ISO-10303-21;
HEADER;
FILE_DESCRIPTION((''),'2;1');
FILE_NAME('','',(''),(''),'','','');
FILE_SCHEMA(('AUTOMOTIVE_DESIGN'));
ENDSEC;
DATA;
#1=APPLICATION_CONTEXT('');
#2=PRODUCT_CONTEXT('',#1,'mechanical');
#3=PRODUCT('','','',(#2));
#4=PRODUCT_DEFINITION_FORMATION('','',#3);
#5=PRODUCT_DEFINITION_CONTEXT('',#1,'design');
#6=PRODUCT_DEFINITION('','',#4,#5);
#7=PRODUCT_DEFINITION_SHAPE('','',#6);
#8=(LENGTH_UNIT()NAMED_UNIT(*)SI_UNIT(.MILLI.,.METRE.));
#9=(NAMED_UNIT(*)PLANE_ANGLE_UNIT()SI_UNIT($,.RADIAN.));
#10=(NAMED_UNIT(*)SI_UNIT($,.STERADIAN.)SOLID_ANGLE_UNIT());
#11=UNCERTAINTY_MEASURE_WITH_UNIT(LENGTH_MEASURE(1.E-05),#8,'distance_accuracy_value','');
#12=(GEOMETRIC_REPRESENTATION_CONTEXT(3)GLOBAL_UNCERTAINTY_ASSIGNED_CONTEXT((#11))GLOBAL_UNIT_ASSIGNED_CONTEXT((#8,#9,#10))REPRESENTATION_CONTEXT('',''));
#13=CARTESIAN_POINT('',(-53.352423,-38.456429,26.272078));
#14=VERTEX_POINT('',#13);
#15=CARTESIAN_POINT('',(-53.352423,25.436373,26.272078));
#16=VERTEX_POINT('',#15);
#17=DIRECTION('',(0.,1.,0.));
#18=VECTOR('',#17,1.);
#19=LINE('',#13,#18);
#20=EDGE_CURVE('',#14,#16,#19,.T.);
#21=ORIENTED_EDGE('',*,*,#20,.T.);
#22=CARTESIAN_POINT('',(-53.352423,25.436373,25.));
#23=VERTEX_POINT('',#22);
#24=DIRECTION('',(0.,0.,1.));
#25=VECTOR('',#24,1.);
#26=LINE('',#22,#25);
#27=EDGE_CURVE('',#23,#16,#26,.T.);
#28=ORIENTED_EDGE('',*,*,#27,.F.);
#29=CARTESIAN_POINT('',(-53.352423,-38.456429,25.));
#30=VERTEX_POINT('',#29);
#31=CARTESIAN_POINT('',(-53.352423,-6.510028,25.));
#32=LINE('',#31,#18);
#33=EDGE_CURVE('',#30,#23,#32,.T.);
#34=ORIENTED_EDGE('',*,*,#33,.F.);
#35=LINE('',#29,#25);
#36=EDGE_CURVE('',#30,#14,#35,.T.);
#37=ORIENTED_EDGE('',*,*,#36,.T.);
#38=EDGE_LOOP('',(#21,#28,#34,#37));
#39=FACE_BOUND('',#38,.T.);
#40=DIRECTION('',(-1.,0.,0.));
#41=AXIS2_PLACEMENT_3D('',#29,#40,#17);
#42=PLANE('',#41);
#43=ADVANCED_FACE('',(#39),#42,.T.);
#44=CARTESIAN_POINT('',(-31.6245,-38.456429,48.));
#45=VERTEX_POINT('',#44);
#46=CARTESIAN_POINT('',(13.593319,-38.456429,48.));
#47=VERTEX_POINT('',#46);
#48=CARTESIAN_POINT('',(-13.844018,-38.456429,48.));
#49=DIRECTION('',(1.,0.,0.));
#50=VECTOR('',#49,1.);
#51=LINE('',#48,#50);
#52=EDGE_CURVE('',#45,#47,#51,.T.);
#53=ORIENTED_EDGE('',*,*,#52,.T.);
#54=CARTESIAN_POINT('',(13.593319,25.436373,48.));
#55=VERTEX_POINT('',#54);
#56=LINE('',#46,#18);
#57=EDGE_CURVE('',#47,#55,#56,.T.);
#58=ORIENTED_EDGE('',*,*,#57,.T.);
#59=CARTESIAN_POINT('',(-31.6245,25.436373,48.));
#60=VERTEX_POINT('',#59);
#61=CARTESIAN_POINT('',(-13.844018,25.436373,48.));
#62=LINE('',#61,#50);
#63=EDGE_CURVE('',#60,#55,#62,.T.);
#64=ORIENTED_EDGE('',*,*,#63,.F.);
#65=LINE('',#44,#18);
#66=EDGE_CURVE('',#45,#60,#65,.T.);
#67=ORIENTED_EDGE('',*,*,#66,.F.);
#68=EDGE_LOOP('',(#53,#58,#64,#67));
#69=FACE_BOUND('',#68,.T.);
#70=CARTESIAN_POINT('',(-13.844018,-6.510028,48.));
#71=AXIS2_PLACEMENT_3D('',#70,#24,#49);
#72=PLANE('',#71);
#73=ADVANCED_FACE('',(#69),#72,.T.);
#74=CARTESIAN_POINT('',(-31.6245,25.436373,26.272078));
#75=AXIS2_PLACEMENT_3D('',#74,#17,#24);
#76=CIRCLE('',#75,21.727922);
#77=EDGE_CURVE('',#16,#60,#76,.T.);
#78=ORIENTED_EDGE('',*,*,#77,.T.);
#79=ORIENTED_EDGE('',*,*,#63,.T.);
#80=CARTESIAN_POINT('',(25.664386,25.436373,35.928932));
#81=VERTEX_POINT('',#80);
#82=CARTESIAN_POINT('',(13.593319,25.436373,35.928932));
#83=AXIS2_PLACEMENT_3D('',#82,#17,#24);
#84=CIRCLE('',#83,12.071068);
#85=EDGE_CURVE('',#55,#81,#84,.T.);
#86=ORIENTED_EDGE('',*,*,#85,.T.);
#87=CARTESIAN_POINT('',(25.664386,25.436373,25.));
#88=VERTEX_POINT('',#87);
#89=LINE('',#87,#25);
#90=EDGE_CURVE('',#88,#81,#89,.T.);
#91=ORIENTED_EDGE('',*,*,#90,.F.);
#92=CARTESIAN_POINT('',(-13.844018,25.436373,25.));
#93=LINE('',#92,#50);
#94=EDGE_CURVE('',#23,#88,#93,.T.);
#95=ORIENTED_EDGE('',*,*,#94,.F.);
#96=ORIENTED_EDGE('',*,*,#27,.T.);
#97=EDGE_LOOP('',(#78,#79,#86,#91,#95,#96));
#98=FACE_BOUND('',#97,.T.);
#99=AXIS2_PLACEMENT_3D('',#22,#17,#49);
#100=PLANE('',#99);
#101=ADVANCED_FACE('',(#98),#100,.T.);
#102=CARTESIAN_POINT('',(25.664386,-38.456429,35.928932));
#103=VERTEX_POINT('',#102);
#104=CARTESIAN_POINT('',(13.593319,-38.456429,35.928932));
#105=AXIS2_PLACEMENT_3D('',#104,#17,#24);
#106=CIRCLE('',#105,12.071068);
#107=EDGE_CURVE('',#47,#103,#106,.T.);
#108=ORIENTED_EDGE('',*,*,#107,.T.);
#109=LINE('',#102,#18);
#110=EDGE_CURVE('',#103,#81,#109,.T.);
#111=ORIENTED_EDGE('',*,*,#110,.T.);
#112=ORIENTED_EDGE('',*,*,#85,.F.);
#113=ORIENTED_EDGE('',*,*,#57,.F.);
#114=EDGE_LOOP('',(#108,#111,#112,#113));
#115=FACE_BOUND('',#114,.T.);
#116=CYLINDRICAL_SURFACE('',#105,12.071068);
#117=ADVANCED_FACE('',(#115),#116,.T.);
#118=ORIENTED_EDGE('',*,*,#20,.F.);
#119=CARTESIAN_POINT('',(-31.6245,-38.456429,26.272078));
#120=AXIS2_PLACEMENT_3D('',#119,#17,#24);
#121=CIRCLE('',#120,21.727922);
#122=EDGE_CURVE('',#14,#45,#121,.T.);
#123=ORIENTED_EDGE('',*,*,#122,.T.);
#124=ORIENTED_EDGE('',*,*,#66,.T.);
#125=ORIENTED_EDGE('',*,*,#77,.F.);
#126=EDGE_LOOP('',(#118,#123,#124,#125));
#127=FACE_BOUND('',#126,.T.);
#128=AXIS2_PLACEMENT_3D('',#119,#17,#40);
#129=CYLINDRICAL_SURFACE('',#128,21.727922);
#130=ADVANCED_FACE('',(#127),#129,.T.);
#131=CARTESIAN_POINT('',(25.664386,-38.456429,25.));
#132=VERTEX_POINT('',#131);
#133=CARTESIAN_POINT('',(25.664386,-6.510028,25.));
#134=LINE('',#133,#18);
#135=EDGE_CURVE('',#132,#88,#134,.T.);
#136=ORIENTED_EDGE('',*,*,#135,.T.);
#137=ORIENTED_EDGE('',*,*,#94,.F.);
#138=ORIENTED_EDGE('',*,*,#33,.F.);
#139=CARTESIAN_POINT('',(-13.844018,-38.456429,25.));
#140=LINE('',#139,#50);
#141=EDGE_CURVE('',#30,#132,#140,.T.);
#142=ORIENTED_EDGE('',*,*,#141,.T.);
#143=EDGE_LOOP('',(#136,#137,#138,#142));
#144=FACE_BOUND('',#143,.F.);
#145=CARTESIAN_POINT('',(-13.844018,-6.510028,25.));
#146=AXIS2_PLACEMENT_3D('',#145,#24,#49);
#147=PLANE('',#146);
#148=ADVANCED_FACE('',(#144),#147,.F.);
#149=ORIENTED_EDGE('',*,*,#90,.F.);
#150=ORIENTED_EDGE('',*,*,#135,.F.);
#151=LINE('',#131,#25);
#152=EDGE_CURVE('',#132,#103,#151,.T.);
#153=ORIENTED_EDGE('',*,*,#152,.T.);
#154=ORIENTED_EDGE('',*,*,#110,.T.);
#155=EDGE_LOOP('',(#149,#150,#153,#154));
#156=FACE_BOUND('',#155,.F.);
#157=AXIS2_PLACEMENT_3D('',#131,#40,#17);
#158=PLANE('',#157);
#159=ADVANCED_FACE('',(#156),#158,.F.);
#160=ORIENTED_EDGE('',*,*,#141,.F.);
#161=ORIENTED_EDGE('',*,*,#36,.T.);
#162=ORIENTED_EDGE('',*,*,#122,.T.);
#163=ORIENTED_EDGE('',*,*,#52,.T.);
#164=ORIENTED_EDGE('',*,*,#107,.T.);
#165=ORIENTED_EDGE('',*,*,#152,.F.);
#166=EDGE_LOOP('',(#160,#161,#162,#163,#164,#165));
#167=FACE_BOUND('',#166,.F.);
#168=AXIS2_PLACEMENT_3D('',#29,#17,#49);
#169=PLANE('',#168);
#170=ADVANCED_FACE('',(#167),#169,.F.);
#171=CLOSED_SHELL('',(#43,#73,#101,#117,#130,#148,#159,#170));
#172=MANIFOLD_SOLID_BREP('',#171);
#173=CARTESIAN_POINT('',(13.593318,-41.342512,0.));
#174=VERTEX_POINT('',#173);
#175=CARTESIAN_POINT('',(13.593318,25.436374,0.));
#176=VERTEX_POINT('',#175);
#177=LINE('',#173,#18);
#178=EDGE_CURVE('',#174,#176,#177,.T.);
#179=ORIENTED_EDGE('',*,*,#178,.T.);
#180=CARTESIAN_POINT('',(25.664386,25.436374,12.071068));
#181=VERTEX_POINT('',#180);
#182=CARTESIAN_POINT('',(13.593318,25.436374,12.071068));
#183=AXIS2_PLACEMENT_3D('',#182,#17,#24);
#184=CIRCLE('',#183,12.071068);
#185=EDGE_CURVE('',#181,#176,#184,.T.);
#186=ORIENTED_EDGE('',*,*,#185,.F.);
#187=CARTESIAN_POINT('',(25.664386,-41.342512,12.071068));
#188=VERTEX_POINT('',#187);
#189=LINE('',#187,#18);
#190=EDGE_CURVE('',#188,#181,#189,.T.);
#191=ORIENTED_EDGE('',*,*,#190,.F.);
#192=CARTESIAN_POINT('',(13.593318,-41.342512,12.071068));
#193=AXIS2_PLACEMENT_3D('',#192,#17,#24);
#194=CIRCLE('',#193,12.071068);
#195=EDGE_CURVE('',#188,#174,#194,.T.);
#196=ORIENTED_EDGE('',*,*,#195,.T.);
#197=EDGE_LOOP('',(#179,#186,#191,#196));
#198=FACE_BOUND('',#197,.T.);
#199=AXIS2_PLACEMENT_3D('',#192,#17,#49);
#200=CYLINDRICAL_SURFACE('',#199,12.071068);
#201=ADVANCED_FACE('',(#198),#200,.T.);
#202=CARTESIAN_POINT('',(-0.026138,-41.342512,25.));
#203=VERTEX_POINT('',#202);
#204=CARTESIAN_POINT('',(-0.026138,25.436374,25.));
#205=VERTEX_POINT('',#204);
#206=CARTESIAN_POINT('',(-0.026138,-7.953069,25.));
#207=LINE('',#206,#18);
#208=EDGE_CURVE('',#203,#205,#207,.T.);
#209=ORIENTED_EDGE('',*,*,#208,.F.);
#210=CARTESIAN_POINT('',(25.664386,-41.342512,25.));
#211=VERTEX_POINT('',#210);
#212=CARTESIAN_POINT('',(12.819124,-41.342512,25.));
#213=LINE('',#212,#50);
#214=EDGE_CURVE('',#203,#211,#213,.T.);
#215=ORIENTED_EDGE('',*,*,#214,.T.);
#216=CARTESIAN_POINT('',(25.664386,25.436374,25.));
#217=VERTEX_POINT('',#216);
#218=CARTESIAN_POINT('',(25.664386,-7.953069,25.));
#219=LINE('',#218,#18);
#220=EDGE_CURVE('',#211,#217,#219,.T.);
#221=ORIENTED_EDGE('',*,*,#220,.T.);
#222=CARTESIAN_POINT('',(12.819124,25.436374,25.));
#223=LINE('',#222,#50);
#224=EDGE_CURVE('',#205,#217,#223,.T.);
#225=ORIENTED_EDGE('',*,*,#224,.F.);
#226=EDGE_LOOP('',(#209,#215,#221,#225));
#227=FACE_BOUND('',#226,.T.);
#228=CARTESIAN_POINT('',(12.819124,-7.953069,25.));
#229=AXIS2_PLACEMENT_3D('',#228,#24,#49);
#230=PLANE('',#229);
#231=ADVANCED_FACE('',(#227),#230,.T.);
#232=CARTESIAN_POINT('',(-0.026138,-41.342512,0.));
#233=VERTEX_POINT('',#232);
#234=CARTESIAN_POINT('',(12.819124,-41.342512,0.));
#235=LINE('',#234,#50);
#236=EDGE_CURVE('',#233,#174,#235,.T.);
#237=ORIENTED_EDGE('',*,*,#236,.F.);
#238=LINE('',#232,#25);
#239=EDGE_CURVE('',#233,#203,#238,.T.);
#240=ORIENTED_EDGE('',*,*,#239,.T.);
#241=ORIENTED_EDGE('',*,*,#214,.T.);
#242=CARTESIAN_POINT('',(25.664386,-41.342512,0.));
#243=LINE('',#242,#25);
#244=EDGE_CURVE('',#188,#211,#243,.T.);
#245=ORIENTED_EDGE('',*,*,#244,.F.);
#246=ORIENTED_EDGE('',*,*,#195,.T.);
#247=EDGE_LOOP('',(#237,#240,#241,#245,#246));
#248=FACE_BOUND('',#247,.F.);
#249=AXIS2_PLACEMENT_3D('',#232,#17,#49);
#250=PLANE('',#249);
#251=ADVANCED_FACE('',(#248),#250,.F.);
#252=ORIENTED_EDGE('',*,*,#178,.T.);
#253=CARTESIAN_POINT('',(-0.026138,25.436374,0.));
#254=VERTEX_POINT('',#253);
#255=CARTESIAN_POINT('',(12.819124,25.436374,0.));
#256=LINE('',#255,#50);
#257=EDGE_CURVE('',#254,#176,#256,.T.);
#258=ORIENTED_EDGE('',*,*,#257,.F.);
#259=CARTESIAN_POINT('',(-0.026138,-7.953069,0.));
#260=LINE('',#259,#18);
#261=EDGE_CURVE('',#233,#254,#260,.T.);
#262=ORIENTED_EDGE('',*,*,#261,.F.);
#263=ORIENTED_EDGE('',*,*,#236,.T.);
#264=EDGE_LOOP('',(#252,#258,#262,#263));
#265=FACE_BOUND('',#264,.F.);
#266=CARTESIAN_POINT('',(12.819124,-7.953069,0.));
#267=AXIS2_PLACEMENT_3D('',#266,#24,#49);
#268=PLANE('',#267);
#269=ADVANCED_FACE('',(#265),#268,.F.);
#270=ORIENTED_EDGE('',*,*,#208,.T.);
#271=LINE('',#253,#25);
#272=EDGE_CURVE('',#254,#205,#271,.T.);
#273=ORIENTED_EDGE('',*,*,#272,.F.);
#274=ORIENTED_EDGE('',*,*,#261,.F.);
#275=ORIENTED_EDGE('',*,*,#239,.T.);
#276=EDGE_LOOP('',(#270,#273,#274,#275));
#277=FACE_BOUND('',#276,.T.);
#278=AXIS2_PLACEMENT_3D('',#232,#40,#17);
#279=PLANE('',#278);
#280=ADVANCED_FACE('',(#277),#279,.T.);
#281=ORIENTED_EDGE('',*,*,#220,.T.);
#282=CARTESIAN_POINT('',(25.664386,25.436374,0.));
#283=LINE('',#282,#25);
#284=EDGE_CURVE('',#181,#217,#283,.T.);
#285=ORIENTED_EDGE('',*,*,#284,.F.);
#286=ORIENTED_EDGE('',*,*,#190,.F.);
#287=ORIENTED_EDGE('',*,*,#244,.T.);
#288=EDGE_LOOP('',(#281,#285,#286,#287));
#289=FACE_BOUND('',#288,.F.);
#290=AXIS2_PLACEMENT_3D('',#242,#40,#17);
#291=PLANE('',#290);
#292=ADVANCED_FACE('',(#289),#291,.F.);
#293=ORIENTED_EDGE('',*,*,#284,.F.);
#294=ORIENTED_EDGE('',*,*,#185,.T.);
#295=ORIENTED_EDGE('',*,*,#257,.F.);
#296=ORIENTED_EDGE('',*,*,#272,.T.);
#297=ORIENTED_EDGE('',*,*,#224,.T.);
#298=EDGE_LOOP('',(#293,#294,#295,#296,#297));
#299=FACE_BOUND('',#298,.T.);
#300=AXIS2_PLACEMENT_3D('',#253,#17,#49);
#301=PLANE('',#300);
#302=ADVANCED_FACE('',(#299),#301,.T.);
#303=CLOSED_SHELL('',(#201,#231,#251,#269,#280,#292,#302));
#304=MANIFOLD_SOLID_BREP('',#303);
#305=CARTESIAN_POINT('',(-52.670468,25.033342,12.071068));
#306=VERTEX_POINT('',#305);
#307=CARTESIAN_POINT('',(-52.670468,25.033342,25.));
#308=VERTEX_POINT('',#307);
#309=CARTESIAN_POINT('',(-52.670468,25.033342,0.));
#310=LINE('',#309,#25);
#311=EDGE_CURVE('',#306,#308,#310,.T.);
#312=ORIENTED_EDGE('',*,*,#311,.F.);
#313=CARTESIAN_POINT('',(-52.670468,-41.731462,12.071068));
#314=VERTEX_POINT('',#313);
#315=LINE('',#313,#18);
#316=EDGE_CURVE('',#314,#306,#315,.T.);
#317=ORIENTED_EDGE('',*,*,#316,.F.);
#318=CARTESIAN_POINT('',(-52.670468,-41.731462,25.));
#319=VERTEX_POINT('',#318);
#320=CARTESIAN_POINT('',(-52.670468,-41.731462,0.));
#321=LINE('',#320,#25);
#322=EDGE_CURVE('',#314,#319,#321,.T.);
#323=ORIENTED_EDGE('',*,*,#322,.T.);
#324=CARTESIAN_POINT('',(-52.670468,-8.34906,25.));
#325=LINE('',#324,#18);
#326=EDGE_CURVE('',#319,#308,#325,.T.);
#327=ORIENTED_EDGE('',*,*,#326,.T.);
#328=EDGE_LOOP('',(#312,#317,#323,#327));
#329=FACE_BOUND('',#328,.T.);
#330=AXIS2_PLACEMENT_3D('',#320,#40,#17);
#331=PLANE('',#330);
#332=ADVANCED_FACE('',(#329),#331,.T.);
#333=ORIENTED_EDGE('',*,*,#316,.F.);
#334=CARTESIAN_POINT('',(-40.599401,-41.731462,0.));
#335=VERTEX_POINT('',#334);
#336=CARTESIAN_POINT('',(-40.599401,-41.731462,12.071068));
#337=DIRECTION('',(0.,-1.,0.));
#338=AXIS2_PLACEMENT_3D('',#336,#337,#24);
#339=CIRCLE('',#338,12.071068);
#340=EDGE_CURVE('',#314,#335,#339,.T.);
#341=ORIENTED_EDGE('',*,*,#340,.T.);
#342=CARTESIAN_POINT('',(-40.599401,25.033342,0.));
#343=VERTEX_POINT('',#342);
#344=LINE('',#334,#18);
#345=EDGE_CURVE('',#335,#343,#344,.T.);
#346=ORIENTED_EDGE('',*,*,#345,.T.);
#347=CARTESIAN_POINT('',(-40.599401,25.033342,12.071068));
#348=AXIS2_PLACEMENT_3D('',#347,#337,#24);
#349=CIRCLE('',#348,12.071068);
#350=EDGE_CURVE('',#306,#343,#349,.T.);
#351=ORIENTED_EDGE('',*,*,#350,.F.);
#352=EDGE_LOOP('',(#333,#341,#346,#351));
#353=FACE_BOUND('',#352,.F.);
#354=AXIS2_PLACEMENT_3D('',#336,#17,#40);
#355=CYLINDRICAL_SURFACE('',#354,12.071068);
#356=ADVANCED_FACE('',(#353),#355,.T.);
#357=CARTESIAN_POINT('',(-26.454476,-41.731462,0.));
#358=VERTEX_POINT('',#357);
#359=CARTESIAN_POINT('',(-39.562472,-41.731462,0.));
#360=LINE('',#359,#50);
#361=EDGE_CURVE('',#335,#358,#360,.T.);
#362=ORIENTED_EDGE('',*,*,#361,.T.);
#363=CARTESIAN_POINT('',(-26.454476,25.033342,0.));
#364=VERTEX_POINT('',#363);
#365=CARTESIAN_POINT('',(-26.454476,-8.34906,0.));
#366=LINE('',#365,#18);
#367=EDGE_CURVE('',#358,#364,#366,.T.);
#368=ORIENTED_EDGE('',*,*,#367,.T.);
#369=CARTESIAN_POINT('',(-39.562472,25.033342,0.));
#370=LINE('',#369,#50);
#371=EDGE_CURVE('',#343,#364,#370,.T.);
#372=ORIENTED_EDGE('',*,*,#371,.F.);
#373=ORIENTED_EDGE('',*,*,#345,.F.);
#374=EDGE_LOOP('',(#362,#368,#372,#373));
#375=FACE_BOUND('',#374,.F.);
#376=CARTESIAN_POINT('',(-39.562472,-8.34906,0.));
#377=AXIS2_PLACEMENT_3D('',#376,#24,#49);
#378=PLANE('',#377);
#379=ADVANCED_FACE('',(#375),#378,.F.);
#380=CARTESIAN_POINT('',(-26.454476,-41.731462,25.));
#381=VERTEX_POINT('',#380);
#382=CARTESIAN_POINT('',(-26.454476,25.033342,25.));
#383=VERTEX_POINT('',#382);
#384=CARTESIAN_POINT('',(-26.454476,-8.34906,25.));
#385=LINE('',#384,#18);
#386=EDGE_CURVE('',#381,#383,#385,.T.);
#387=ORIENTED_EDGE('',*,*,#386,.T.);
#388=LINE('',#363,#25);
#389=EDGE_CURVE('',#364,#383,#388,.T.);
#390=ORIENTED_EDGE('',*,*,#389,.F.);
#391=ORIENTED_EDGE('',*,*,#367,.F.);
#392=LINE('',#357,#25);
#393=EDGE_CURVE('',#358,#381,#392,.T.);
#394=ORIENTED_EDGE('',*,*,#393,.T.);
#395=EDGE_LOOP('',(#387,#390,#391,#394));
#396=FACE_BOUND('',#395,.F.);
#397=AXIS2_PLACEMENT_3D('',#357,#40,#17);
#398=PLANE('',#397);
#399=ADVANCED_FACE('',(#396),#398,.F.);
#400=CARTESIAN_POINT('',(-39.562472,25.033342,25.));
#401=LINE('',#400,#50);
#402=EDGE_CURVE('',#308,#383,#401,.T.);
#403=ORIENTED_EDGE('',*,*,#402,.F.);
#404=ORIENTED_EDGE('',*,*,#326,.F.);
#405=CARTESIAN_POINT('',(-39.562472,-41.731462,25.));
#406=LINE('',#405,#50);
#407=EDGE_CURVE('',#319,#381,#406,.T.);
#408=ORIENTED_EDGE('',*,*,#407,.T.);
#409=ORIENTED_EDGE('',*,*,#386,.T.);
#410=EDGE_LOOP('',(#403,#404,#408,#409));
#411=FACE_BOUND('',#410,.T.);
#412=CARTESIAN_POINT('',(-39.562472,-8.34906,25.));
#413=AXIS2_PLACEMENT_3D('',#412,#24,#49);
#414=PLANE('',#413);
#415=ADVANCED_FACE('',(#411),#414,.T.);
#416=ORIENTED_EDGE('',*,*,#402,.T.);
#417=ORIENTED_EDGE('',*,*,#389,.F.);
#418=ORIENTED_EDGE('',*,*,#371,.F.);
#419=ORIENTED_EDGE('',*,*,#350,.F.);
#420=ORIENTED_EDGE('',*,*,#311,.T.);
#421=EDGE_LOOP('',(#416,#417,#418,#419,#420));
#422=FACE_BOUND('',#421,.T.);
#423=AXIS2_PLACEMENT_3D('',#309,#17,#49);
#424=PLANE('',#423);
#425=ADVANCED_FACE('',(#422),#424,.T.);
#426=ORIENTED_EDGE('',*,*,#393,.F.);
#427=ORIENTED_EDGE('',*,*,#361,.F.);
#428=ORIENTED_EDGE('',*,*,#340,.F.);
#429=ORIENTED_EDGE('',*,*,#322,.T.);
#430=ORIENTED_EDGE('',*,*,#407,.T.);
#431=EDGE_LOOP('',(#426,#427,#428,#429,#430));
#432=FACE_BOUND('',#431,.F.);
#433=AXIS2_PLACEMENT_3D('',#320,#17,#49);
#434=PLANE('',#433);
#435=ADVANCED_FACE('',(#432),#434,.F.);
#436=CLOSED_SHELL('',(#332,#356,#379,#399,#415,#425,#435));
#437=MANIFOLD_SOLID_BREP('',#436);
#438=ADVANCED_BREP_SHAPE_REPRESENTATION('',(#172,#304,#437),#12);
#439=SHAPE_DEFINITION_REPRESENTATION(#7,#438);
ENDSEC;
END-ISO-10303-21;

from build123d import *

# Parameters (mm, degrees)
F0_W     = 26.215993
F0_H     = 66.764804
F0_W_2   = 25.690524
F0_H_2   = 66.778887
F1_DEPTH = 25
F2_W     = 79.016809
F2_H     = 63.892803
F3_DEPTH = 23
F4_R     = 21.727922
F5_R     = 12.071068
F5_2_R   = 12.071068


with BuildPart() as f1:
    # F0 (on Top) → F1 (new body)
    with BuildSketch(Plane.XY):
        with Locations((-39.562472, -8.34906)):
            Rectangle(F0_W, F0_H)
        with Locations((12.819124, -7.953069)):
            Rectangle(F0_W_2, F0_H_2)
    extrude(amount=F1_DEPTH)

    # F5#2
    f5_2_edges = [f1.edges().sort_by_distance(p)[0] for p in [
        (-52.670468, -8.34906, 0),
        (25.664386, -7.953069, 0),
    ]]
    fillet(f5_2_edges, radius=F5_2_R)


with BuildPart() as f3:
    # F2 (on face) → F3 (new body)
    with BuildSketch(Plane.XY.offset(25)):
        with Locations((-13.844018, -6.510028)):
            Rectangle(F2_W, F2_H)
    extrude(amount=F3_DEPTH)

    # F4
    f4_edges = [f3.edges().sort_by_distance(p)[0] for p in [
        (-53.352423, -6.510027, 48),
    ]]
    fillet(f4_edges, radius=F4_R)

    # F5
    f5_edges = [f3.edges().sort_by_distance(p)[0] for p in [
        (25.664386, -6.510027, 48),
    ]]
    fillet(f5_edges, radius=F5_R)


solid = Compound([f1.part, f3.part])
